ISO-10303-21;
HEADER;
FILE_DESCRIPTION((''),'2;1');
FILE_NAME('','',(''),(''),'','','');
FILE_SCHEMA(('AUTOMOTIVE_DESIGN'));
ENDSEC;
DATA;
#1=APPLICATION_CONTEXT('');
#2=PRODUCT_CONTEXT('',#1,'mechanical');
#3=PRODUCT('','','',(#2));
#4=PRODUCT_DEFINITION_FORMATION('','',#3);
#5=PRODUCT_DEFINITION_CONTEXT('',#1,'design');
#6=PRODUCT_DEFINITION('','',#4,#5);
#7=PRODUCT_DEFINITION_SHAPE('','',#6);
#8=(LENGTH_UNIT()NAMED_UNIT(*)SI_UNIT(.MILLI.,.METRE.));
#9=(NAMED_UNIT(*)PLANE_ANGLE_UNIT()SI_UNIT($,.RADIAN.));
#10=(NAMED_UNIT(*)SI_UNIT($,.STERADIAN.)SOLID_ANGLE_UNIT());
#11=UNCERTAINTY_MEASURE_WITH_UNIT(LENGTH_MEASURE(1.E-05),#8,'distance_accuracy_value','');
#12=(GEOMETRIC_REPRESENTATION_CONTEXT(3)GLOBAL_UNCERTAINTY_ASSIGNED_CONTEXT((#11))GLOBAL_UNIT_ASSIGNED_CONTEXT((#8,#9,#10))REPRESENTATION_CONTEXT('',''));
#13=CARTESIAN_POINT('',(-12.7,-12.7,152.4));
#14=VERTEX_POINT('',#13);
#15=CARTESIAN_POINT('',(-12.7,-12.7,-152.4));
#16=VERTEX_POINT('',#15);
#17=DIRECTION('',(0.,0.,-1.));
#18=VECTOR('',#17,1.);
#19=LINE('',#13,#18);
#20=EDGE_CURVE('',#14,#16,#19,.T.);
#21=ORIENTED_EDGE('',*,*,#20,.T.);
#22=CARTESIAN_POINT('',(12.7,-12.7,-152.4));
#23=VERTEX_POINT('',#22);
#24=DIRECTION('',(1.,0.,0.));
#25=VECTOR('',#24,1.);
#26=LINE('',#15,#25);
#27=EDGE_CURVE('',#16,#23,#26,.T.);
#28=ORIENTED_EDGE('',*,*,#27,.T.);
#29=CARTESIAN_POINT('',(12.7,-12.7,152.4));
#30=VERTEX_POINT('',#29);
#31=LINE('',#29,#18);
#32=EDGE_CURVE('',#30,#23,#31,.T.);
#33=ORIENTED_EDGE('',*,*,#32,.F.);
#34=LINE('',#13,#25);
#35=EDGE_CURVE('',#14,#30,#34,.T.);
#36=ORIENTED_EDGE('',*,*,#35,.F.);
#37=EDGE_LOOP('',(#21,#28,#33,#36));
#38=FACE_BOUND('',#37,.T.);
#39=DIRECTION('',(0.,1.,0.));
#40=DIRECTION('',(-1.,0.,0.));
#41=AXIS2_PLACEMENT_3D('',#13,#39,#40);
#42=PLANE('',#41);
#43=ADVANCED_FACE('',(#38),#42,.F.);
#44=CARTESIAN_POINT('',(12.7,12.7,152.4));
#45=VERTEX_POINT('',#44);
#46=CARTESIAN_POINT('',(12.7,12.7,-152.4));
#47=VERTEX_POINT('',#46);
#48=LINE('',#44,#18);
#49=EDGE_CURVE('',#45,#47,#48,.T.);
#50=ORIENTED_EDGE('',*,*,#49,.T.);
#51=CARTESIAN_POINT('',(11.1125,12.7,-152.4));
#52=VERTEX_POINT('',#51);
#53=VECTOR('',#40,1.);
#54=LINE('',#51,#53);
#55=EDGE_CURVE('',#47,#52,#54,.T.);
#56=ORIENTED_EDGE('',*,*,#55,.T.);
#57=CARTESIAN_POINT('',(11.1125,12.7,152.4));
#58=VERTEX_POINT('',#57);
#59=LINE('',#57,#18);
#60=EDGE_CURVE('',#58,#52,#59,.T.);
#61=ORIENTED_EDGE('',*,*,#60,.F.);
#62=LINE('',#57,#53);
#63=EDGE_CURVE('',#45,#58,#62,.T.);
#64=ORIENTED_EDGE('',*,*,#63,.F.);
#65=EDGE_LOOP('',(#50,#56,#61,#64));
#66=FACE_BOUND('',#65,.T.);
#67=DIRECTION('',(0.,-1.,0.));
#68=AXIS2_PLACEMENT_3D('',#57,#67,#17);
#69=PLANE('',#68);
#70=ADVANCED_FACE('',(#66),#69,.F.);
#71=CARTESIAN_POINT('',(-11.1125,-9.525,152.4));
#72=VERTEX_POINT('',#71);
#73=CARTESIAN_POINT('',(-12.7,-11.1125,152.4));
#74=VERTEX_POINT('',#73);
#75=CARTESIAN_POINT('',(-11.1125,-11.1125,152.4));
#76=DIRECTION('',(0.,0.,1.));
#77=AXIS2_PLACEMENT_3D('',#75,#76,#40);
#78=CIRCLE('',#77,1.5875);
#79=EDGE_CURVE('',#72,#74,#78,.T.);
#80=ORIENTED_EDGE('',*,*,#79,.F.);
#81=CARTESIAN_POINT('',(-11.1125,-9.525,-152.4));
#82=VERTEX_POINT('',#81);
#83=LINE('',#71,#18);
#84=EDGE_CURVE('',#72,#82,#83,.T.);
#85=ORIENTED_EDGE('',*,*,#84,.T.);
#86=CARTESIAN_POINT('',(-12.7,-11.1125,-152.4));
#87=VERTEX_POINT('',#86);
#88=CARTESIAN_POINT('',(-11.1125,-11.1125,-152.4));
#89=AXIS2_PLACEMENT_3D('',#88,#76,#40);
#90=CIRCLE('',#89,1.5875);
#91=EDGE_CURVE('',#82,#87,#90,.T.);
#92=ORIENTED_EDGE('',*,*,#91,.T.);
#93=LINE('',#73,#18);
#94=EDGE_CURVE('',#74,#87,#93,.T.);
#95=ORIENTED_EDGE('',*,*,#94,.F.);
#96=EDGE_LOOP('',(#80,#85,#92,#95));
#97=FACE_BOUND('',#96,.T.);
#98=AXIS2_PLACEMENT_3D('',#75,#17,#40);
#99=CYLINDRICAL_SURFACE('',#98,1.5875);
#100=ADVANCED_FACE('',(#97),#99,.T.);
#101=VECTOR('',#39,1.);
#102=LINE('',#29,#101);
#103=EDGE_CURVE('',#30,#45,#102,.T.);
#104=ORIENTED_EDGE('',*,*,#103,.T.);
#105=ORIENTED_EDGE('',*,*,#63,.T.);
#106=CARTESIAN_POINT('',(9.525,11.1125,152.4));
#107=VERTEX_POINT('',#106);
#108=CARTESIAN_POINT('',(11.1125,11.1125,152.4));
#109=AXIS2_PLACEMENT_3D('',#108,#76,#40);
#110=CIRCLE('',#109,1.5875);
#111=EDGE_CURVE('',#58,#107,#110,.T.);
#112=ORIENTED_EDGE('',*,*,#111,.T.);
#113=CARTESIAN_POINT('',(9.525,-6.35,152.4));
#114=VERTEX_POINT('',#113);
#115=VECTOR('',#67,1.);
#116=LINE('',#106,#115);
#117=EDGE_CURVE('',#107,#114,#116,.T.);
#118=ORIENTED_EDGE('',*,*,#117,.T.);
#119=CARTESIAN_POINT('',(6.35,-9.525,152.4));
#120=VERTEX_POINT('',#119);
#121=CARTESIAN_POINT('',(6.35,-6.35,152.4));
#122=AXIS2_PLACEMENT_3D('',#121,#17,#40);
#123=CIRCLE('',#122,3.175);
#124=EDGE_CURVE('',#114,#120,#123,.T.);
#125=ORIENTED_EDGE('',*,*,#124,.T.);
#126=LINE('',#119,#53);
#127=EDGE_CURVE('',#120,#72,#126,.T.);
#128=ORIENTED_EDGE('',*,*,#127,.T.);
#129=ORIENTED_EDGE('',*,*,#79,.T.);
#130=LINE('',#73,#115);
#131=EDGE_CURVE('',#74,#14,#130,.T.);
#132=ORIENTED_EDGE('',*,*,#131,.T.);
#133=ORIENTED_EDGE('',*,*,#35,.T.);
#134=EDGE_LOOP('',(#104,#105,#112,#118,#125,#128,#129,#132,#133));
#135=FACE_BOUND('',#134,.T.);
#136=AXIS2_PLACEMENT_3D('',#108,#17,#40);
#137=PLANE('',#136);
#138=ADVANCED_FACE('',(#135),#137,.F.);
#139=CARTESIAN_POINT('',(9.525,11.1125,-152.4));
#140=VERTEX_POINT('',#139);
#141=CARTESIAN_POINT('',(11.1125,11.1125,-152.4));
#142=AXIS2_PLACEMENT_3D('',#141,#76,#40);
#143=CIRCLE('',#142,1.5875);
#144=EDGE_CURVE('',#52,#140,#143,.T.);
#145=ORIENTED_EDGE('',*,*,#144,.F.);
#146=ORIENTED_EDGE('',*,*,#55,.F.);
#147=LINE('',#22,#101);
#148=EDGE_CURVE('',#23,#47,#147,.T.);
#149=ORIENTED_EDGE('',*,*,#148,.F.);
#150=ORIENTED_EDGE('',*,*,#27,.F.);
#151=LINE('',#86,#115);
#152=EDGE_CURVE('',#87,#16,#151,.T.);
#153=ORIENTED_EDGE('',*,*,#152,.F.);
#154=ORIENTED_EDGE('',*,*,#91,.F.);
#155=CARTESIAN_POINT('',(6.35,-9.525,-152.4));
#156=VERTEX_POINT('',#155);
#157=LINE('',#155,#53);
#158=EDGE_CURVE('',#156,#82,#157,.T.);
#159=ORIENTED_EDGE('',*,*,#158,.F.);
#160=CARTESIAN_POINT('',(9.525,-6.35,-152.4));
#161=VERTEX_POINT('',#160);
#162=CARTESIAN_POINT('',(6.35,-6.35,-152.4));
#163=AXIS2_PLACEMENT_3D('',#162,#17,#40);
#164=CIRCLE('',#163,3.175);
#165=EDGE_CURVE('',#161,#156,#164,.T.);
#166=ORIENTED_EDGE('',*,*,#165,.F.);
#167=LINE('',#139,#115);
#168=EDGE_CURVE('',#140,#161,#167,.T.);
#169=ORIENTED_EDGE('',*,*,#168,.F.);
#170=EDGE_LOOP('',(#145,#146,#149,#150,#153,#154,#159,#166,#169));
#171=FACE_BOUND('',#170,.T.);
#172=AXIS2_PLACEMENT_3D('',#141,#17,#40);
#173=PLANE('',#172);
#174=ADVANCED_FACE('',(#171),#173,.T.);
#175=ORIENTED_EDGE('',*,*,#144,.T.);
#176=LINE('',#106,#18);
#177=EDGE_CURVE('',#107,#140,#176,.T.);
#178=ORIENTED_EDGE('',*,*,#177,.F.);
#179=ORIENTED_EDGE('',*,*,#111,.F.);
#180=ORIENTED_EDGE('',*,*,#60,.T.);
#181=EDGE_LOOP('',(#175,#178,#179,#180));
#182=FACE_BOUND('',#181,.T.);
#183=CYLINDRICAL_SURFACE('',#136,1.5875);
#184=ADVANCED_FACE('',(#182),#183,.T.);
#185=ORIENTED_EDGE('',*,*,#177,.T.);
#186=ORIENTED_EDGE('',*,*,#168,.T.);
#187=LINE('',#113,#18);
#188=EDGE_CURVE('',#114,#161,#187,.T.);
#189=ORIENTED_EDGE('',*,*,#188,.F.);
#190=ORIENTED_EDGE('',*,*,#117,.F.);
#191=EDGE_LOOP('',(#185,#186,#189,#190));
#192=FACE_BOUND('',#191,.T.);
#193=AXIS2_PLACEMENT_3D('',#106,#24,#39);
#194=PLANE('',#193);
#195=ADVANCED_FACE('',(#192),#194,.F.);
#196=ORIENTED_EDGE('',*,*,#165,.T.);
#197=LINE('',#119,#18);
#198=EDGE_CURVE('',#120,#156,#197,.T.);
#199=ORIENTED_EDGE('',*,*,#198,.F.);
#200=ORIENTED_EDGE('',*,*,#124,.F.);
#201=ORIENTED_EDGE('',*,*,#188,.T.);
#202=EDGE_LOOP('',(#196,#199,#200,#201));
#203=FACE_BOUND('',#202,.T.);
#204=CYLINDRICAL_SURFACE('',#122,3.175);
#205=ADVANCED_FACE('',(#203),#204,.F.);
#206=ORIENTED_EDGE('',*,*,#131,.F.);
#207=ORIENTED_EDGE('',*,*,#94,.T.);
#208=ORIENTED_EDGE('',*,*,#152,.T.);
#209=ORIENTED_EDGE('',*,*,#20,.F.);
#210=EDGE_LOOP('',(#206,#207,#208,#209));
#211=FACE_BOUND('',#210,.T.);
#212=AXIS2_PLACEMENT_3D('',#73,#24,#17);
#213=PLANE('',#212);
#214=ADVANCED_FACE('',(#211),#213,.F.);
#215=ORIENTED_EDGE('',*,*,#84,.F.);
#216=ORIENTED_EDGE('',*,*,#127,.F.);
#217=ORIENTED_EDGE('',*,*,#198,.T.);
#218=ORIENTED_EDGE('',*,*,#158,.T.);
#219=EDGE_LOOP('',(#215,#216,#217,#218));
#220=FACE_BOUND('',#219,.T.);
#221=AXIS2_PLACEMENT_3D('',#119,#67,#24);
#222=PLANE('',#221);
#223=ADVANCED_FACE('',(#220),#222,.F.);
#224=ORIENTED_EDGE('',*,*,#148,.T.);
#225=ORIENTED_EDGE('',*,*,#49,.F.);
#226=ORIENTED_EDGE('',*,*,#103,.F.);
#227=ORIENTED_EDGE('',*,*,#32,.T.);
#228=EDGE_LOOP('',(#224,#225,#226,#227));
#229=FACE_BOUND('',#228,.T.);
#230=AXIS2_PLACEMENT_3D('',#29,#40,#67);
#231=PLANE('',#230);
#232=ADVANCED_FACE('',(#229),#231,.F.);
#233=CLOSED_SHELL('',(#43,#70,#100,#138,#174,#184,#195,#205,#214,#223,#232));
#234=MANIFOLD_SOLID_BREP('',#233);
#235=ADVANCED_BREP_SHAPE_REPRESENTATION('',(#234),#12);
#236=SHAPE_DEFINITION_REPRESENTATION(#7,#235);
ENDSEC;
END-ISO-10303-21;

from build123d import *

# Parameters (mm, degrees)
BOSS_EXTRUDE1_DEPTH = 152.4


with BuildPart() as part:
    # Sketch2 → Boss-Extrude1 (new, symmetric)
    with BuildSketch(Plane.XY):
        with BuildLine():
            Line((-12.7, -12.7), (12.7, -12.7))
            Line((12.7, -12.7), (12.7, 12.7))
            Line((12.7, 12.7), (11.1125, 12.7))
            ThreePointArc((11.1125, 12.7), (9.989967985, 12.235032015), (9.525, 11.1125))
            Line((9.525, 11.1125), (9.525, -6.35))
            ThreePointArc((9.525, -6.35), (8.59506403, -8.59506403), (6.35, -9.525))
            Line((6.35, -9.525), (-11.1125, -9.525))
            ThreePointArc((-11.1125, -9.525), (-12.235032015, -9.989967985), (-12.7, -11.1125))
            Line((-12.7, -11.1125), (-12.7, -12.7))
        make_face()
    extrude(amount=BOSS_EXTRUDE1_DEPTH, both=True)


solid = part.part
